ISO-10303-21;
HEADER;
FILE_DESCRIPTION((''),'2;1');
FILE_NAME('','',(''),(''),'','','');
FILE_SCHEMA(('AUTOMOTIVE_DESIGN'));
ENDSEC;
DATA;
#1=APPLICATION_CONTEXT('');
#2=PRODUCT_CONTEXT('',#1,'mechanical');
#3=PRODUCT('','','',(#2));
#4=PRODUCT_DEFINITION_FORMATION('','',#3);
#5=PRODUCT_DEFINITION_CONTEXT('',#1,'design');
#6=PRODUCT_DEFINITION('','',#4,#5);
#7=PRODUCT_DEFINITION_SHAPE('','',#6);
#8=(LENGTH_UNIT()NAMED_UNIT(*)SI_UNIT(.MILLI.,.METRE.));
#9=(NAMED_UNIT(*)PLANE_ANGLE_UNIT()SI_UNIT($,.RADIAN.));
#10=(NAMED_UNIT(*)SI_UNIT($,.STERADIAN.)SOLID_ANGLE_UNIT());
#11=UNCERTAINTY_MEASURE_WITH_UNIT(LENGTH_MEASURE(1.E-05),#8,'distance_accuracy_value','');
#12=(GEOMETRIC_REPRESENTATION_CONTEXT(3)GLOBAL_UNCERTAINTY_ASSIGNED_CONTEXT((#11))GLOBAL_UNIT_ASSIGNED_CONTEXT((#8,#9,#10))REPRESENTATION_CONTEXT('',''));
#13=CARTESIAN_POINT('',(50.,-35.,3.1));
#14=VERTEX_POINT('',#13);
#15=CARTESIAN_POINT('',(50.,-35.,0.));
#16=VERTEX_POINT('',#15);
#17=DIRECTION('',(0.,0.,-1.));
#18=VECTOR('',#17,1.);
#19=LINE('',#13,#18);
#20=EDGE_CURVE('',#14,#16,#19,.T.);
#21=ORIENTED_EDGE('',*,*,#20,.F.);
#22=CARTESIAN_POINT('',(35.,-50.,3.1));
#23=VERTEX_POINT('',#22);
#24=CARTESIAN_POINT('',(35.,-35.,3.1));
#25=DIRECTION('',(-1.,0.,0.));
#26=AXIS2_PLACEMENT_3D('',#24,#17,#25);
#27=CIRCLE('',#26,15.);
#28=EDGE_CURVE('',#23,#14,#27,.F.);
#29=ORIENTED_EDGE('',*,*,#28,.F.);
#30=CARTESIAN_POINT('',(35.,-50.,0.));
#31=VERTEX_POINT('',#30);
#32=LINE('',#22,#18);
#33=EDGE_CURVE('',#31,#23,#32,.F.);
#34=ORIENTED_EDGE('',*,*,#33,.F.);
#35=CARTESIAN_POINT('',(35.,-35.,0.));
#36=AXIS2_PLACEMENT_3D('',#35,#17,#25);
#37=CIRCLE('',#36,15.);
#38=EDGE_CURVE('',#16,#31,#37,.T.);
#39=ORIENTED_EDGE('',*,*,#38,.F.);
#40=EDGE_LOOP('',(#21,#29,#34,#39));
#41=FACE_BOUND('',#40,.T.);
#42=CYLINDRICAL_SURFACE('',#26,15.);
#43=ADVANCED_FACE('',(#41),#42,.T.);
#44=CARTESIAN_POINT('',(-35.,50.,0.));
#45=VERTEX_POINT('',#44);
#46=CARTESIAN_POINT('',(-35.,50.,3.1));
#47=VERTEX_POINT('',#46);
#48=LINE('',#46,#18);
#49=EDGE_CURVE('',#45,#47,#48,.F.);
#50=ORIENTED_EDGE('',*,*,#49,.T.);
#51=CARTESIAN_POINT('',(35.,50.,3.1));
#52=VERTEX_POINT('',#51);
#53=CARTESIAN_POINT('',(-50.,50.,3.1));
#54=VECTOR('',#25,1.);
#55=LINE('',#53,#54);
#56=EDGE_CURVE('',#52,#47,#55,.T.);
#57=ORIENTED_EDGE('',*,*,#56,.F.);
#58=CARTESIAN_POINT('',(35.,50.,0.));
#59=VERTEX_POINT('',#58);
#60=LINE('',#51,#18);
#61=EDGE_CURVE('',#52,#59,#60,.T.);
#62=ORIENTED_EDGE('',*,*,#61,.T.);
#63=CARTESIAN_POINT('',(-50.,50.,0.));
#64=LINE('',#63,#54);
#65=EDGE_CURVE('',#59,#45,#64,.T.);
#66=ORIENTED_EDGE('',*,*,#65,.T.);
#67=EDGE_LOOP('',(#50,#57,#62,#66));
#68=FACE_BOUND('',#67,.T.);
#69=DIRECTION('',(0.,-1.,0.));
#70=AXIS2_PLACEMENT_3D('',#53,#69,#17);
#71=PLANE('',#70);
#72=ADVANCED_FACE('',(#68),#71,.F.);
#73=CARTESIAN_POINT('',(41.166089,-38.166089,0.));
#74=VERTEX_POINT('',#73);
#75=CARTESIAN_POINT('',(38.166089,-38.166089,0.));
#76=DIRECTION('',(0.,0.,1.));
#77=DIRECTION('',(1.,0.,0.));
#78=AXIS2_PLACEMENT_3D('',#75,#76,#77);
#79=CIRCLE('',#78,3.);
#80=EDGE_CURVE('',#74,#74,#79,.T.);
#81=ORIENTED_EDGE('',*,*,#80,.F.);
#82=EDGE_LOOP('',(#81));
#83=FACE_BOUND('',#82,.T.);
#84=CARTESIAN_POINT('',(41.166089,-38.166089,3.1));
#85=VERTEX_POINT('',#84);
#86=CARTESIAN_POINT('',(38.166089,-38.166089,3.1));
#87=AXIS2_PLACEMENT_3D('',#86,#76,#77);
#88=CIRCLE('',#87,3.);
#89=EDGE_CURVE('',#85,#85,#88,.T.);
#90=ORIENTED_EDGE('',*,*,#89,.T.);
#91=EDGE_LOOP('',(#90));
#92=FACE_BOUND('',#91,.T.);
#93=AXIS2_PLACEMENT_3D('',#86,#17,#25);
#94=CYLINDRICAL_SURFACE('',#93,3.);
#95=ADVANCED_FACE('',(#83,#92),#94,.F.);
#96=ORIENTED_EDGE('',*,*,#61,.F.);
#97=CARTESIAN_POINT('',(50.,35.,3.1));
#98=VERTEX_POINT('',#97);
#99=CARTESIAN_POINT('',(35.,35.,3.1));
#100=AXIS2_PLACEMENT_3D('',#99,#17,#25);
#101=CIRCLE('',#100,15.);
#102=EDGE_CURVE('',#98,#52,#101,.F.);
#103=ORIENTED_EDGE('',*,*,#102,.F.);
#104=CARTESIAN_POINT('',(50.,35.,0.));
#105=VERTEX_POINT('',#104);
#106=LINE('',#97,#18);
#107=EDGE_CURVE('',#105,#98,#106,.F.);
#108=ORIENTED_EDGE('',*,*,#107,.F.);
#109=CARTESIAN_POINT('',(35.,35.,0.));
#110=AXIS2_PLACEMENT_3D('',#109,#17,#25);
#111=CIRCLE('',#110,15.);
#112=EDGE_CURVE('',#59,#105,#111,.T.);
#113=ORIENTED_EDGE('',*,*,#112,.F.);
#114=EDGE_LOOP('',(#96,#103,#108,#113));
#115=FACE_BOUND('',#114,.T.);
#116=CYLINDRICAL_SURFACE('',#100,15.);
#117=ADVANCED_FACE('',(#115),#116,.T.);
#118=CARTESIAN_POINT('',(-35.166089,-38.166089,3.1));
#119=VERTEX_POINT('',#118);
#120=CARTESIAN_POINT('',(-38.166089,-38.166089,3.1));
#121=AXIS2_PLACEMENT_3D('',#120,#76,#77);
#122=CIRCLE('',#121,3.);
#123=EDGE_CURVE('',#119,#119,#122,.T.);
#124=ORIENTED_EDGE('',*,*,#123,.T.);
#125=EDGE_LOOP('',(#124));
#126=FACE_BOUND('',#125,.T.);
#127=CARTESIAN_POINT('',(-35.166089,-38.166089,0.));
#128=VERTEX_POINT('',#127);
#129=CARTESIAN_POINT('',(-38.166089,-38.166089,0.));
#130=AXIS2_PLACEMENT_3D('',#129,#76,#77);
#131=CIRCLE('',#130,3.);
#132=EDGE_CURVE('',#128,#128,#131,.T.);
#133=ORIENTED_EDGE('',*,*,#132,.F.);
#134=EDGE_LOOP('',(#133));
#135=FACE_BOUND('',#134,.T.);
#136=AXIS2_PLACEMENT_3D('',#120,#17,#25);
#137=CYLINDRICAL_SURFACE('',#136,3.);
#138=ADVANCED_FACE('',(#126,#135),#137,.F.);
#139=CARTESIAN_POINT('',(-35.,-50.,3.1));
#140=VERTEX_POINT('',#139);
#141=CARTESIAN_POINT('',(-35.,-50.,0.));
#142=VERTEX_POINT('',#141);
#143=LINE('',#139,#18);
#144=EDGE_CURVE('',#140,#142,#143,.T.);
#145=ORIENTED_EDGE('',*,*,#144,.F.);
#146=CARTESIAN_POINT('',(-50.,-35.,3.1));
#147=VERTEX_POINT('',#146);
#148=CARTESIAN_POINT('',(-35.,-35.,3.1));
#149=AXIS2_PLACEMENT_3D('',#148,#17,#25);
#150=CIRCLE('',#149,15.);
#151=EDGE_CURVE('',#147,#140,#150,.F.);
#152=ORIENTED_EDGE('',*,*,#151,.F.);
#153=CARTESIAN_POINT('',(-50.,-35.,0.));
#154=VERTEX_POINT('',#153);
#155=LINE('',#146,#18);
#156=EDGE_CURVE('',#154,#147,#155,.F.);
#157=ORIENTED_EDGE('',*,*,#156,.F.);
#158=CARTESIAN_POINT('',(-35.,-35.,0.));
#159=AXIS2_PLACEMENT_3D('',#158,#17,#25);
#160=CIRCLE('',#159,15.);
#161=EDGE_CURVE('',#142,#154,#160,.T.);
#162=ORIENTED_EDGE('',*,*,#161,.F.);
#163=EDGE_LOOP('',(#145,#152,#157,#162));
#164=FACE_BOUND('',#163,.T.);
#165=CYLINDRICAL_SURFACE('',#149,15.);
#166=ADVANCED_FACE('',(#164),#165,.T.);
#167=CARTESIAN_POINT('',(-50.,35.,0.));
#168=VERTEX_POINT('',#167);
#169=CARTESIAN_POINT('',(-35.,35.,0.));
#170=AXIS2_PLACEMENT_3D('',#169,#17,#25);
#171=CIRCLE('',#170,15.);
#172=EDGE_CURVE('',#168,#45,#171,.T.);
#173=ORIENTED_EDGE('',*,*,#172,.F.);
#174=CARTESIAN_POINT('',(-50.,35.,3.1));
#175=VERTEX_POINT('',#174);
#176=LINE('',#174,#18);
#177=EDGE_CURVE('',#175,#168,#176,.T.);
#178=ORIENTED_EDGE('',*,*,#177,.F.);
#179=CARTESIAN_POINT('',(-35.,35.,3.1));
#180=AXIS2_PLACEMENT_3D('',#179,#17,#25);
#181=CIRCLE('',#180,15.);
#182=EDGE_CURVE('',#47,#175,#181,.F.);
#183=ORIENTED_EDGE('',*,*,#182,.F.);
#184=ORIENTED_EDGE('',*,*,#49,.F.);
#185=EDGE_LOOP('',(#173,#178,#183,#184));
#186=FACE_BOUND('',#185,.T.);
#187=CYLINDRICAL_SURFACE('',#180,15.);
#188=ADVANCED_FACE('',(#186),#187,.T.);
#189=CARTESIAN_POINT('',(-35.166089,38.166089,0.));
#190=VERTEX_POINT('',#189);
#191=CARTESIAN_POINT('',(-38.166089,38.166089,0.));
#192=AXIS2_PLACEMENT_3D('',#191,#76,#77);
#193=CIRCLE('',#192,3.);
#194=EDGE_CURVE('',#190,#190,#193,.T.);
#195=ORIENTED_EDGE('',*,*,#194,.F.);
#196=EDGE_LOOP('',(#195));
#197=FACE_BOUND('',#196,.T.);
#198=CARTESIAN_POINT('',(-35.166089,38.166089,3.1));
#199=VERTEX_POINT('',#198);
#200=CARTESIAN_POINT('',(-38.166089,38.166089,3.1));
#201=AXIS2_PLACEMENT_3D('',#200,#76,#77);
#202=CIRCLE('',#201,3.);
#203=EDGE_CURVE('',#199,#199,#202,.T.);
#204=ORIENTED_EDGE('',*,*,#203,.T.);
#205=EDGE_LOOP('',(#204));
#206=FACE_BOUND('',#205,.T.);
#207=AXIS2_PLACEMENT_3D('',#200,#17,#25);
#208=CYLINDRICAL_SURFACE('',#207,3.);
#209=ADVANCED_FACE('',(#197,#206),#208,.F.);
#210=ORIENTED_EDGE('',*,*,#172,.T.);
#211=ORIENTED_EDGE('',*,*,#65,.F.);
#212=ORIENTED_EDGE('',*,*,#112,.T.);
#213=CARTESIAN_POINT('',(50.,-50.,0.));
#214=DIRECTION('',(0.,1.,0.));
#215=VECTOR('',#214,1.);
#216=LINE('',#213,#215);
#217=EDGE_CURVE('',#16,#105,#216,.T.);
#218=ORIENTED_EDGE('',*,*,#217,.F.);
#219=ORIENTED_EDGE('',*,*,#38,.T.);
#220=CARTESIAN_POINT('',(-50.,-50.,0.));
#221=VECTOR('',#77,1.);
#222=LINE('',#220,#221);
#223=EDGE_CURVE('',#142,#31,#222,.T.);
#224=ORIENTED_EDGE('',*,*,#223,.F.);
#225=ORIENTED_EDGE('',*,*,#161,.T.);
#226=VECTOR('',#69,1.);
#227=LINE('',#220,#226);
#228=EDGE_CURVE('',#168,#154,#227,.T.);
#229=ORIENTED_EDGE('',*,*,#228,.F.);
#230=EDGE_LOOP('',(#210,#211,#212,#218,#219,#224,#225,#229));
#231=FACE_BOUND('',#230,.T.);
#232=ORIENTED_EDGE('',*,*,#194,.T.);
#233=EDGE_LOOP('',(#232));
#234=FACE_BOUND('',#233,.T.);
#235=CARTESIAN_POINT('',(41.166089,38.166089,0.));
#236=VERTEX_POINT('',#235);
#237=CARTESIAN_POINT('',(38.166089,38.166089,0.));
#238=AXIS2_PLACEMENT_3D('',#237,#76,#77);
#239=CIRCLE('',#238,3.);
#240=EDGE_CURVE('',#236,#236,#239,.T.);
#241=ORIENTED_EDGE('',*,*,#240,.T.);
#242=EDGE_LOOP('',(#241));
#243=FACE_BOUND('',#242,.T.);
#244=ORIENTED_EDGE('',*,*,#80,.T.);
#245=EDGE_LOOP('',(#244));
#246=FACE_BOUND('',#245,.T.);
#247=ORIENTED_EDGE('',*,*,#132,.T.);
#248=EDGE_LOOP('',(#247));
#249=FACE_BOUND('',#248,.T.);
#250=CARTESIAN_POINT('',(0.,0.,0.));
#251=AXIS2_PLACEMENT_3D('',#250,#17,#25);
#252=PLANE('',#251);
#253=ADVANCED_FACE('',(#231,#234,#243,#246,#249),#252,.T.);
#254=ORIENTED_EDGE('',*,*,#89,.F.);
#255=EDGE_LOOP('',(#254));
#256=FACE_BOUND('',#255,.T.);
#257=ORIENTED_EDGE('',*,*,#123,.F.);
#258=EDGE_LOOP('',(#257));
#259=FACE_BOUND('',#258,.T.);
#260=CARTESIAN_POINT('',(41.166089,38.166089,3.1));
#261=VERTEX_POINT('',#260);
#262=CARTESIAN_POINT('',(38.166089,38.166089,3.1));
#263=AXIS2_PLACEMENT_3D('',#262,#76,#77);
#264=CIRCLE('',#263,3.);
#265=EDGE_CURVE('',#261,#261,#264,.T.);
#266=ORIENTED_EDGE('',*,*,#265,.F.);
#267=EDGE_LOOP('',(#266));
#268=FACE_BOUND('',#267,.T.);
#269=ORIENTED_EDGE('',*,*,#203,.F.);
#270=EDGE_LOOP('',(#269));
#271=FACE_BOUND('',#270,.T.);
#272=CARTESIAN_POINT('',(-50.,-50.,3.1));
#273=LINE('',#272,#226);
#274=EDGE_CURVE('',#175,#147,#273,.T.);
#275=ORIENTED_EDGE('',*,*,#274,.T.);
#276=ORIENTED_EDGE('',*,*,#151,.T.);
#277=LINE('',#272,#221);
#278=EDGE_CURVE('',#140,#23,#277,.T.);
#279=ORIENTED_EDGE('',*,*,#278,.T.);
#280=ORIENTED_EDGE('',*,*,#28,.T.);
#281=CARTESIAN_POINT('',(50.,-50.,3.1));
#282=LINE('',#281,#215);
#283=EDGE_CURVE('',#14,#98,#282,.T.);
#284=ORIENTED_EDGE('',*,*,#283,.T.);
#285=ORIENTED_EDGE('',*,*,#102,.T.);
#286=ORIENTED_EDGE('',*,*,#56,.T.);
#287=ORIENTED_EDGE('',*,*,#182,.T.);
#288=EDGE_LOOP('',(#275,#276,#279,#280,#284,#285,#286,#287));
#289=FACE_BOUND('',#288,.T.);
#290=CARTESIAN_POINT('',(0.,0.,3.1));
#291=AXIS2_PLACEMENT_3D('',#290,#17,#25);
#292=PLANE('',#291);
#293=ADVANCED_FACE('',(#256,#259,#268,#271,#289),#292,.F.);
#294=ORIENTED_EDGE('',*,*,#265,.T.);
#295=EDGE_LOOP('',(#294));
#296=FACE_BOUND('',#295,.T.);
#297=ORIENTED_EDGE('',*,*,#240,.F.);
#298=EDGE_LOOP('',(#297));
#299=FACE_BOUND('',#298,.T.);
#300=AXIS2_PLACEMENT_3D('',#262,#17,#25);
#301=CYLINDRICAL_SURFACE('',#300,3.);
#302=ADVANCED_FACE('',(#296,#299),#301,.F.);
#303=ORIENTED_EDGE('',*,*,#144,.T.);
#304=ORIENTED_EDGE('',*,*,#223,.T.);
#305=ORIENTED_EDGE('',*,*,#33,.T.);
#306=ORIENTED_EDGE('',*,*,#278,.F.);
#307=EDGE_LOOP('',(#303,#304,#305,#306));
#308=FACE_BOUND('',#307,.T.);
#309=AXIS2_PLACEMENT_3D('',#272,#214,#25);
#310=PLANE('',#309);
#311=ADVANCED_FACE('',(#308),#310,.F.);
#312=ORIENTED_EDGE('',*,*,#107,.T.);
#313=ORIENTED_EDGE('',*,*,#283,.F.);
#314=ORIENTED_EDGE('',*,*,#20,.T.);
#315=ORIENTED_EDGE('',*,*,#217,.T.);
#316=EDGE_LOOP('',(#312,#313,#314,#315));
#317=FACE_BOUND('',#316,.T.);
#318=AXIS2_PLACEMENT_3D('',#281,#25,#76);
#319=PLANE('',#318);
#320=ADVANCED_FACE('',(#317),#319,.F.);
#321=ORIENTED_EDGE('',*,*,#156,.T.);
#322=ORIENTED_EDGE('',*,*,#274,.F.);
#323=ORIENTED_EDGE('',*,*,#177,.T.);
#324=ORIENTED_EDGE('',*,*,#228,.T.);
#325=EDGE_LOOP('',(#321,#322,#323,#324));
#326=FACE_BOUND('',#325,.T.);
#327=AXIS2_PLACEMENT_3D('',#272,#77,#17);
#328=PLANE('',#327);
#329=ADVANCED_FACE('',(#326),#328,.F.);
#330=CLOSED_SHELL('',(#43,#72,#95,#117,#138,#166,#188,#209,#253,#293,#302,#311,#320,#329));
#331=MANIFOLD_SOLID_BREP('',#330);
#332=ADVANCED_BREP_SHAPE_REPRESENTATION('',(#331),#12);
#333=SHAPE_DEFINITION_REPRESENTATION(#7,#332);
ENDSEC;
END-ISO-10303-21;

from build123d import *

# Parameters (mm, degrees)
SKETCH1_W           = 100
SKETCH1_H           = 100
SKETCH1_R           = 3
BOSS_EXTRUDE2_DEPTH = 3.1
FILLET1_R           = 15


with BuildPart() as part:
    # Sketch1 → Boss-Extrude2 (new body)
    with BuildSketch(Plane.XY):
        Rectangle(SKETCH1_W, SKETCH1_H)
        with Locations((-38.166088515, 38.166088515)):
            Circle(SKETCH1_R, mode=Mode.SUBTRACT)
        with Locations((38.166088515, 38.166088515)):
            Circle(SKETCH1_R, mode=Mode.SUBTRACT)
        with Locations((38.166088515, -38.166088515)):
            Circle(SKETCH1_R, mode=Mode.SUBTRACT)
        with Locations((-38.166088515, -38.166088515)):
            Circle(SKETCH1_R, mode=Mode.SUBTRACT)
    extrude(amount=BOSS_EXTRUDE2_DEPTH)

    # Fillet1
    fillet1_edges = [part.edges().sort_by_distance(p)[0] for p in [
        (50, -50, 1.55),
        (-50, -50, 1.55),
        (-50, 50, 1.55),
        (50, 50, 1.55),
    ]]
    fillet(fillet1_edges, radius=FILLET1_R)


solid = part.part
